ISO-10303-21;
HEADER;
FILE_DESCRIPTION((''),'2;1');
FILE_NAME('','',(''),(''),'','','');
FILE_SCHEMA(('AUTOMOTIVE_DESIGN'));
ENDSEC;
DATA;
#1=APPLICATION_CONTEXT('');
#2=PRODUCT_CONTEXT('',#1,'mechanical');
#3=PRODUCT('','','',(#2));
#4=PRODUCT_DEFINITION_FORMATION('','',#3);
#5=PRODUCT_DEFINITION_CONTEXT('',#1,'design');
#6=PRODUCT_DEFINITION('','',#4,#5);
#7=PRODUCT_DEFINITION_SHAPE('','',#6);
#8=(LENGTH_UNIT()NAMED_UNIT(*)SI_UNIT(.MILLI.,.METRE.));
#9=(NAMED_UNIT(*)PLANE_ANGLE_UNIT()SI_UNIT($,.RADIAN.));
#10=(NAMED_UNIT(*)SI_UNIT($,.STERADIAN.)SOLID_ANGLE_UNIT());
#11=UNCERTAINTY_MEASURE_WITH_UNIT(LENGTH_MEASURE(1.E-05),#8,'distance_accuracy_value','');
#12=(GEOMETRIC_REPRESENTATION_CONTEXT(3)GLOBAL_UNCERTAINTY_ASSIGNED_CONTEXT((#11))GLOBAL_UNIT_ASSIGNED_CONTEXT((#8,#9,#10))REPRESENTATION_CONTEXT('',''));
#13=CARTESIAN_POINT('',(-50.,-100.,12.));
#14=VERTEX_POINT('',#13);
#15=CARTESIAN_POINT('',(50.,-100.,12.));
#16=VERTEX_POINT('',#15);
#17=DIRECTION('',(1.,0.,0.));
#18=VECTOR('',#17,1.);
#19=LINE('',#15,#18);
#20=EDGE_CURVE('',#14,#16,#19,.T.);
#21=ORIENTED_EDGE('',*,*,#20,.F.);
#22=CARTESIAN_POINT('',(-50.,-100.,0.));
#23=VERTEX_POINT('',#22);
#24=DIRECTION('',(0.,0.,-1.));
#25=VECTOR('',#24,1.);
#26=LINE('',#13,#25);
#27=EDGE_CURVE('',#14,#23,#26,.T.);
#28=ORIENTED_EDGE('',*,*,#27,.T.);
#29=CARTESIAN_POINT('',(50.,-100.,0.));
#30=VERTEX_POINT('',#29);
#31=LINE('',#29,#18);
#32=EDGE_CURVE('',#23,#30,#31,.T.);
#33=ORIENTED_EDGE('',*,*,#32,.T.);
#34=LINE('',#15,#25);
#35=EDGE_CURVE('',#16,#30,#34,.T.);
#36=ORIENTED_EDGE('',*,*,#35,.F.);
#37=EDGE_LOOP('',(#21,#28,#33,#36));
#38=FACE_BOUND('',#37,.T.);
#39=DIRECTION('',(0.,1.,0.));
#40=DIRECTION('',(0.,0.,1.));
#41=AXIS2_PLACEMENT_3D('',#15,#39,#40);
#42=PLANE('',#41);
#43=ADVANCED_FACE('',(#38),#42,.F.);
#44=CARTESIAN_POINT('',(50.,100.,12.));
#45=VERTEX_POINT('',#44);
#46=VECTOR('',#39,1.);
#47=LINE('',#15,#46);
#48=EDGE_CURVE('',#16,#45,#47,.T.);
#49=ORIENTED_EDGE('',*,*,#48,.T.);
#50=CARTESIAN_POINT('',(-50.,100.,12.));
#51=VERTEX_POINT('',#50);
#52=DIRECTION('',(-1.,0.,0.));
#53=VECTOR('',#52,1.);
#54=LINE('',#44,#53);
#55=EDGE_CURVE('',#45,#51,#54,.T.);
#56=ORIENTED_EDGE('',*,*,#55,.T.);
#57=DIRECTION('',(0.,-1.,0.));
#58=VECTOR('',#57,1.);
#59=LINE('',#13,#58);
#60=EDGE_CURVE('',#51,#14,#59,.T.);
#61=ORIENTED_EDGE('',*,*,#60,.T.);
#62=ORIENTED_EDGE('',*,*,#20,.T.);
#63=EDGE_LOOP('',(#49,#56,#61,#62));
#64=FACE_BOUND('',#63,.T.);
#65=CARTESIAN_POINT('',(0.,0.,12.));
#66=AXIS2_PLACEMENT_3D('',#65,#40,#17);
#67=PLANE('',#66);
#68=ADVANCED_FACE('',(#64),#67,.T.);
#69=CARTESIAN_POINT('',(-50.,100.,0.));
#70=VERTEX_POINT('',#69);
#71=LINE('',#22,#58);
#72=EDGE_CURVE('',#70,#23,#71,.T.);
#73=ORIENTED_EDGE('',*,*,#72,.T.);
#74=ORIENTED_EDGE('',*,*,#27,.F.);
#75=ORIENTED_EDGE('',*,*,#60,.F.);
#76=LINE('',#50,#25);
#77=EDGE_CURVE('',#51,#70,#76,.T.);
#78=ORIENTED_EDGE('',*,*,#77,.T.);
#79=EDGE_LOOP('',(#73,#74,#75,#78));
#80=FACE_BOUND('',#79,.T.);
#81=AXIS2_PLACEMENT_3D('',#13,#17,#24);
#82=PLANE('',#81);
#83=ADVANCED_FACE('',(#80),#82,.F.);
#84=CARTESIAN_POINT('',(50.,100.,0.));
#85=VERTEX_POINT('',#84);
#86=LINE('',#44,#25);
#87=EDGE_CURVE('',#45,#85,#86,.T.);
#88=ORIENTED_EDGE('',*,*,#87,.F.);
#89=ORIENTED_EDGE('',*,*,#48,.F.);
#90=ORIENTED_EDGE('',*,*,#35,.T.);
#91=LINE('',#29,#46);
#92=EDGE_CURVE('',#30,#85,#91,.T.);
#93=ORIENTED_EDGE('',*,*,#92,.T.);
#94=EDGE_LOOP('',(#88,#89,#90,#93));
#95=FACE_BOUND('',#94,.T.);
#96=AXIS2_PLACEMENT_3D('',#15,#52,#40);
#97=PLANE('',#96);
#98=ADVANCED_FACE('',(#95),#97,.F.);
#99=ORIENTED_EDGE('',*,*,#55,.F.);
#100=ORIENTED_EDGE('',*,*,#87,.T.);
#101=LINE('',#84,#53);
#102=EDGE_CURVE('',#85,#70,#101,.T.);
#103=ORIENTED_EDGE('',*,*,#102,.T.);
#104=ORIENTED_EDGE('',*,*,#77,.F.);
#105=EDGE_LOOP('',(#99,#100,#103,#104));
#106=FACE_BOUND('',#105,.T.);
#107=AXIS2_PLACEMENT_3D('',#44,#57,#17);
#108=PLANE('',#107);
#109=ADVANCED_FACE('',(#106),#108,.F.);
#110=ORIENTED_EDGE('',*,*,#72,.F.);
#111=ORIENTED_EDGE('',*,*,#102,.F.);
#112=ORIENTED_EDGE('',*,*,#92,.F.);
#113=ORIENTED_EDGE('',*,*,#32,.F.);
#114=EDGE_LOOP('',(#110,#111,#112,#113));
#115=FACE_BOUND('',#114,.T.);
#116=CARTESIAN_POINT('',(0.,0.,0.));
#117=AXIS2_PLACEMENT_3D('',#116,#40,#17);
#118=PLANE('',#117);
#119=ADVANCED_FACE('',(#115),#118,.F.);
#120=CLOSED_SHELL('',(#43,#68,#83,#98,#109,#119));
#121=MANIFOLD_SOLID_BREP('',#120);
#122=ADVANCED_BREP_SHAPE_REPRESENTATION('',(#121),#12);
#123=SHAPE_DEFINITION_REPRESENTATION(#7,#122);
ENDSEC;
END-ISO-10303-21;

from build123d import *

# Parameters (mm, degrees)
CROQUIS1_W              = 100
CROQUIS1_H              = 200
SALIENTE_EXTRUIR1_DEPTH = 12


with BuildPart() as part:
    # Croquis1 → Saliente-Extruir1 (new body)
    with BuildSketch(Plane.XY):
        Rectangle(CROQUIS1_W, CROQUIS1_H)
    extrude(amount=SALIENTE_EXTRUIR1_DEPTH)


solid = part.part
